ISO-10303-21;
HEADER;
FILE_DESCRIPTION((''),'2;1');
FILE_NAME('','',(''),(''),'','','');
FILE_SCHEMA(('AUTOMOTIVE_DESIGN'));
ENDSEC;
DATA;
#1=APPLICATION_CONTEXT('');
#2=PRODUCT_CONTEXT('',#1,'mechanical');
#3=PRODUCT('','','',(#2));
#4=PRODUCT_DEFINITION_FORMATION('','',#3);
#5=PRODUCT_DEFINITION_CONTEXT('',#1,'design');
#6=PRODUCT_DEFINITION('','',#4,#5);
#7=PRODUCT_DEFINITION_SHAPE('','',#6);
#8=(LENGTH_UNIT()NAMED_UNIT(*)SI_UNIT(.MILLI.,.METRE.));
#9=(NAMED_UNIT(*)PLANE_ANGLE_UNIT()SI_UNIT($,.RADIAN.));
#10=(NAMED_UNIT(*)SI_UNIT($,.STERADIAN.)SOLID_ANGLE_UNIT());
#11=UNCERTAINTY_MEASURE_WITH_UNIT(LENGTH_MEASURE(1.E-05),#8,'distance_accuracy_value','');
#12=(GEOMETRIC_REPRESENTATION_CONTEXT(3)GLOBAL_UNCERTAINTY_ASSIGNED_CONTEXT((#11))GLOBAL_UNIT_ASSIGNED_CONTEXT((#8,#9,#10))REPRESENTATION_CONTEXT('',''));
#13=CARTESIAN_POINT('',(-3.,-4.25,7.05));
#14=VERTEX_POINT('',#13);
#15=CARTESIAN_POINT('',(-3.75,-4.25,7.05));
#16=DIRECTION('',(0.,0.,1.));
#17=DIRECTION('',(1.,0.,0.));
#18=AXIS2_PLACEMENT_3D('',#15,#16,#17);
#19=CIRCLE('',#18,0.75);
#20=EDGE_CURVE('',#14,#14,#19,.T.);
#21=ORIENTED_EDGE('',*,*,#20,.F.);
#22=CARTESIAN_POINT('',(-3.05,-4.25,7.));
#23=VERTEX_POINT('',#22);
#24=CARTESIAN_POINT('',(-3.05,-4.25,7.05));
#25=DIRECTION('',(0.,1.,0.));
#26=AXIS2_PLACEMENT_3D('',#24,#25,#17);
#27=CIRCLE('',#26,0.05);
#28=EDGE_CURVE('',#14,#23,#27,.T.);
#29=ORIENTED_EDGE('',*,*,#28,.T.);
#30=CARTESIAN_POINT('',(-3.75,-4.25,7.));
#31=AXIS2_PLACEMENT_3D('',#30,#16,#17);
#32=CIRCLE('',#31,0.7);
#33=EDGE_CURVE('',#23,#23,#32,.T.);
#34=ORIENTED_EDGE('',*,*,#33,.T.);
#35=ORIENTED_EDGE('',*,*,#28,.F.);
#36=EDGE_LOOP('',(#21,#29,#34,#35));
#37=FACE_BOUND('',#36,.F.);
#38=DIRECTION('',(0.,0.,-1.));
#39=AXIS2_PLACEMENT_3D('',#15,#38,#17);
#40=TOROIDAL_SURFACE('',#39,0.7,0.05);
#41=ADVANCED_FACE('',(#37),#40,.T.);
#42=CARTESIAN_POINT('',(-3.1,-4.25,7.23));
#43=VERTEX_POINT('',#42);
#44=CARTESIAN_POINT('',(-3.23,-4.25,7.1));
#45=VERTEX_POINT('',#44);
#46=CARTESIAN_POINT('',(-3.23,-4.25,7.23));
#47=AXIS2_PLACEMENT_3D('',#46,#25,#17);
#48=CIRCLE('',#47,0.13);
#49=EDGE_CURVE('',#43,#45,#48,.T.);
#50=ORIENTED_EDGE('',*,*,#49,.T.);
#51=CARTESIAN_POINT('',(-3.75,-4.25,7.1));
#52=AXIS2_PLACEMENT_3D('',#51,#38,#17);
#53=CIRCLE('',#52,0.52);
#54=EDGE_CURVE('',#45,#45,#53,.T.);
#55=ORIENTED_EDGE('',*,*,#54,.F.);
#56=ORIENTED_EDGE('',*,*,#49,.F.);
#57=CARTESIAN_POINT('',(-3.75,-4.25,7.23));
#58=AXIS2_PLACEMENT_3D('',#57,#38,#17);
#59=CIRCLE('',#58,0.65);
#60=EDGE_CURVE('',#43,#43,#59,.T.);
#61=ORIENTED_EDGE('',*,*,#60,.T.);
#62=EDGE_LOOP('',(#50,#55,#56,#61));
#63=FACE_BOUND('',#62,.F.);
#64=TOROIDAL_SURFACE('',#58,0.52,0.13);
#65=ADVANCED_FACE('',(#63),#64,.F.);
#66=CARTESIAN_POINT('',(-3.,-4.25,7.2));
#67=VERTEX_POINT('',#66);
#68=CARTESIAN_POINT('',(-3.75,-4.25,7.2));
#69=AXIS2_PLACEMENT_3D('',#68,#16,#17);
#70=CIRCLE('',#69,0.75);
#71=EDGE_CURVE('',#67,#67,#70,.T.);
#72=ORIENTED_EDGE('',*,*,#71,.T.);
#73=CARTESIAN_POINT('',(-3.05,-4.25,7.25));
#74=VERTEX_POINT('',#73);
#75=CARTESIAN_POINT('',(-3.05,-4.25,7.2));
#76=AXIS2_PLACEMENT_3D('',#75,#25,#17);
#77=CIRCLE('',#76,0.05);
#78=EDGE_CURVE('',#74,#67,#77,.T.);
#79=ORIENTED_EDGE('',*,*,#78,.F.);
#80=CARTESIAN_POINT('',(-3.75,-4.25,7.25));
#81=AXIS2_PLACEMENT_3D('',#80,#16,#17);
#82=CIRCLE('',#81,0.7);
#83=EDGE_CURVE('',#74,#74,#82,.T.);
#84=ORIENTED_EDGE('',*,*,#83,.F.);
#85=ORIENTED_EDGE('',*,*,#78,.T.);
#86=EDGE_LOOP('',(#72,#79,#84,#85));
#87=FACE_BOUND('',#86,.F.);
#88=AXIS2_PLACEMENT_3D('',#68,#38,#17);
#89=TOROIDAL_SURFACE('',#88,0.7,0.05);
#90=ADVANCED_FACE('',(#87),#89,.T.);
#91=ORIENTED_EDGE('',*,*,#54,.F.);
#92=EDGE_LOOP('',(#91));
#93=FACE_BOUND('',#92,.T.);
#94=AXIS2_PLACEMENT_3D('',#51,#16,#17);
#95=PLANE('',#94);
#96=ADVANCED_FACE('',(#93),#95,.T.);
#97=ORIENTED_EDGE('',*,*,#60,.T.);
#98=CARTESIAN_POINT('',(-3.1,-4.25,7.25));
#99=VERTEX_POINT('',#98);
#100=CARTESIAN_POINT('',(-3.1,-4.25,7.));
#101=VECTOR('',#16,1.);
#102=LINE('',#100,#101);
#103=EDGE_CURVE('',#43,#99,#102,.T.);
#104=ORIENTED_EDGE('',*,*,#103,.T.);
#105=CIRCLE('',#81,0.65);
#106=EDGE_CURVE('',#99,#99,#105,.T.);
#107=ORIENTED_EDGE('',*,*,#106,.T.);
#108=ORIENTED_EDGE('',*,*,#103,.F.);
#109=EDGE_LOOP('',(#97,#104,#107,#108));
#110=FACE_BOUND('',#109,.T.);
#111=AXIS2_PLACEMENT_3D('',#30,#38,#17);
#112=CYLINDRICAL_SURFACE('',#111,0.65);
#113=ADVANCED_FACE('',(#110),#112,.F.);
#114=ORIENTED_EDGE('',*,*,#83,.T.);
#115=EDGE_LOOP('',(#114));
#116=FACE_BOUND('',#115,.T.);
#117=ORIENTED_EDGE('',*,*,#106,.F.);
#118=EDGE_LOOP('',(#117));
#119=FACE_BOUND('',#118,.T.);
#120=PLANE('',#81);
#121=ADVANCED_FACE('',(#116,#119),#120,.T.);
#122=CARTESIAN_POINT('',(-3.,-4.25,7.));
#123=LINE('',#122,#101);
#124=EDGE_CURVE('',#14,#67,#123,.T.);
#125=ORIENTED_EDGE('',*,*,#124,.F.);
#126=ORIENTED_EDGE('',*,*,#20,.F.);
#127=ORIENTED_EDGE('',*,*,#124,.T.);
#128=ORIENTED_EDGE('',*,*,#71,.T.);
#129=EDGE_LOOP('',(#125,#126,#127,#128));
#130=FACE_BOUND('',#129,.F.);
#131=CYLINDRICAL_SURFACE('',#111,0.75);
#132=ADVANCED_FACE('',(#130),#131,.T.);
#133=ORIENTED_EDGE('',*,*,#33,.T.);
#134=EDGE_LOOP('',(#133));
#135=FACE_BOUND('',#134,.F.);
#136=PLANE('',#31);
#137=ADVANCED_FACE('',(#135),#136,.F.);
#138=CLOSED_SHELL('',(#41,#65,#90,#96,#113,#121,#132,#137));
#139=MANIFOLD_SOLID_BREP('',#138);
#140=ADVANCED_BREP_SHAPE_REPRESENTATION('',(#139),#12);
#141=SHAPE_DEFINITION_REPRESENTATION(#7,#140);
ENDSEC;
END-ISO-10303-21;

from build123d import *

# Parameters (mm, degrees)
SKETCH011_R    = 0.75
PAD004_DEPTH   = 0.25
THICKNESS001_T = -0.1
FILLET002_R    = 0.13
FILLET003_R    = 0.05


with BuildPart() as part:
    # Sketch011 → Pad004 (new body)
    with BuildSketch(Plane(origin=(-3.75, -4.25, 7), x_dir=(1, 0, 0), z_dir=(0, 0, 1))):
        Circle(SKETCH011_R)
    extrude(amount=PAD004_DEPTH)

    # Thickness001
    thickness001_openings = [part.faces().sort_by_distance(p)[0] for p in [
        (-3.75, -4.25, 7.25),
    ]]
    offset(amount=THICKNESS001_T, openings=thickness001_openings)

    # Fillet002
    fillet002_edges = [part.edges().sort_by_distance(p)[0] for p in [
        (-4.4, -4.25, 7.1),
    ]]
    fillet(fillet002_edges, radius=FILLET002_R)

    # Fillet003
    fillet003_edges = [part.edges().sort_by_distance(p)[0] for p in [
        (-4.5, -4.25, 7),
        (-4.5, -4.25, 7.25),
    ]]
    fillet(fillet003_edges, radius=FILLET003_R)


solid = part.part
